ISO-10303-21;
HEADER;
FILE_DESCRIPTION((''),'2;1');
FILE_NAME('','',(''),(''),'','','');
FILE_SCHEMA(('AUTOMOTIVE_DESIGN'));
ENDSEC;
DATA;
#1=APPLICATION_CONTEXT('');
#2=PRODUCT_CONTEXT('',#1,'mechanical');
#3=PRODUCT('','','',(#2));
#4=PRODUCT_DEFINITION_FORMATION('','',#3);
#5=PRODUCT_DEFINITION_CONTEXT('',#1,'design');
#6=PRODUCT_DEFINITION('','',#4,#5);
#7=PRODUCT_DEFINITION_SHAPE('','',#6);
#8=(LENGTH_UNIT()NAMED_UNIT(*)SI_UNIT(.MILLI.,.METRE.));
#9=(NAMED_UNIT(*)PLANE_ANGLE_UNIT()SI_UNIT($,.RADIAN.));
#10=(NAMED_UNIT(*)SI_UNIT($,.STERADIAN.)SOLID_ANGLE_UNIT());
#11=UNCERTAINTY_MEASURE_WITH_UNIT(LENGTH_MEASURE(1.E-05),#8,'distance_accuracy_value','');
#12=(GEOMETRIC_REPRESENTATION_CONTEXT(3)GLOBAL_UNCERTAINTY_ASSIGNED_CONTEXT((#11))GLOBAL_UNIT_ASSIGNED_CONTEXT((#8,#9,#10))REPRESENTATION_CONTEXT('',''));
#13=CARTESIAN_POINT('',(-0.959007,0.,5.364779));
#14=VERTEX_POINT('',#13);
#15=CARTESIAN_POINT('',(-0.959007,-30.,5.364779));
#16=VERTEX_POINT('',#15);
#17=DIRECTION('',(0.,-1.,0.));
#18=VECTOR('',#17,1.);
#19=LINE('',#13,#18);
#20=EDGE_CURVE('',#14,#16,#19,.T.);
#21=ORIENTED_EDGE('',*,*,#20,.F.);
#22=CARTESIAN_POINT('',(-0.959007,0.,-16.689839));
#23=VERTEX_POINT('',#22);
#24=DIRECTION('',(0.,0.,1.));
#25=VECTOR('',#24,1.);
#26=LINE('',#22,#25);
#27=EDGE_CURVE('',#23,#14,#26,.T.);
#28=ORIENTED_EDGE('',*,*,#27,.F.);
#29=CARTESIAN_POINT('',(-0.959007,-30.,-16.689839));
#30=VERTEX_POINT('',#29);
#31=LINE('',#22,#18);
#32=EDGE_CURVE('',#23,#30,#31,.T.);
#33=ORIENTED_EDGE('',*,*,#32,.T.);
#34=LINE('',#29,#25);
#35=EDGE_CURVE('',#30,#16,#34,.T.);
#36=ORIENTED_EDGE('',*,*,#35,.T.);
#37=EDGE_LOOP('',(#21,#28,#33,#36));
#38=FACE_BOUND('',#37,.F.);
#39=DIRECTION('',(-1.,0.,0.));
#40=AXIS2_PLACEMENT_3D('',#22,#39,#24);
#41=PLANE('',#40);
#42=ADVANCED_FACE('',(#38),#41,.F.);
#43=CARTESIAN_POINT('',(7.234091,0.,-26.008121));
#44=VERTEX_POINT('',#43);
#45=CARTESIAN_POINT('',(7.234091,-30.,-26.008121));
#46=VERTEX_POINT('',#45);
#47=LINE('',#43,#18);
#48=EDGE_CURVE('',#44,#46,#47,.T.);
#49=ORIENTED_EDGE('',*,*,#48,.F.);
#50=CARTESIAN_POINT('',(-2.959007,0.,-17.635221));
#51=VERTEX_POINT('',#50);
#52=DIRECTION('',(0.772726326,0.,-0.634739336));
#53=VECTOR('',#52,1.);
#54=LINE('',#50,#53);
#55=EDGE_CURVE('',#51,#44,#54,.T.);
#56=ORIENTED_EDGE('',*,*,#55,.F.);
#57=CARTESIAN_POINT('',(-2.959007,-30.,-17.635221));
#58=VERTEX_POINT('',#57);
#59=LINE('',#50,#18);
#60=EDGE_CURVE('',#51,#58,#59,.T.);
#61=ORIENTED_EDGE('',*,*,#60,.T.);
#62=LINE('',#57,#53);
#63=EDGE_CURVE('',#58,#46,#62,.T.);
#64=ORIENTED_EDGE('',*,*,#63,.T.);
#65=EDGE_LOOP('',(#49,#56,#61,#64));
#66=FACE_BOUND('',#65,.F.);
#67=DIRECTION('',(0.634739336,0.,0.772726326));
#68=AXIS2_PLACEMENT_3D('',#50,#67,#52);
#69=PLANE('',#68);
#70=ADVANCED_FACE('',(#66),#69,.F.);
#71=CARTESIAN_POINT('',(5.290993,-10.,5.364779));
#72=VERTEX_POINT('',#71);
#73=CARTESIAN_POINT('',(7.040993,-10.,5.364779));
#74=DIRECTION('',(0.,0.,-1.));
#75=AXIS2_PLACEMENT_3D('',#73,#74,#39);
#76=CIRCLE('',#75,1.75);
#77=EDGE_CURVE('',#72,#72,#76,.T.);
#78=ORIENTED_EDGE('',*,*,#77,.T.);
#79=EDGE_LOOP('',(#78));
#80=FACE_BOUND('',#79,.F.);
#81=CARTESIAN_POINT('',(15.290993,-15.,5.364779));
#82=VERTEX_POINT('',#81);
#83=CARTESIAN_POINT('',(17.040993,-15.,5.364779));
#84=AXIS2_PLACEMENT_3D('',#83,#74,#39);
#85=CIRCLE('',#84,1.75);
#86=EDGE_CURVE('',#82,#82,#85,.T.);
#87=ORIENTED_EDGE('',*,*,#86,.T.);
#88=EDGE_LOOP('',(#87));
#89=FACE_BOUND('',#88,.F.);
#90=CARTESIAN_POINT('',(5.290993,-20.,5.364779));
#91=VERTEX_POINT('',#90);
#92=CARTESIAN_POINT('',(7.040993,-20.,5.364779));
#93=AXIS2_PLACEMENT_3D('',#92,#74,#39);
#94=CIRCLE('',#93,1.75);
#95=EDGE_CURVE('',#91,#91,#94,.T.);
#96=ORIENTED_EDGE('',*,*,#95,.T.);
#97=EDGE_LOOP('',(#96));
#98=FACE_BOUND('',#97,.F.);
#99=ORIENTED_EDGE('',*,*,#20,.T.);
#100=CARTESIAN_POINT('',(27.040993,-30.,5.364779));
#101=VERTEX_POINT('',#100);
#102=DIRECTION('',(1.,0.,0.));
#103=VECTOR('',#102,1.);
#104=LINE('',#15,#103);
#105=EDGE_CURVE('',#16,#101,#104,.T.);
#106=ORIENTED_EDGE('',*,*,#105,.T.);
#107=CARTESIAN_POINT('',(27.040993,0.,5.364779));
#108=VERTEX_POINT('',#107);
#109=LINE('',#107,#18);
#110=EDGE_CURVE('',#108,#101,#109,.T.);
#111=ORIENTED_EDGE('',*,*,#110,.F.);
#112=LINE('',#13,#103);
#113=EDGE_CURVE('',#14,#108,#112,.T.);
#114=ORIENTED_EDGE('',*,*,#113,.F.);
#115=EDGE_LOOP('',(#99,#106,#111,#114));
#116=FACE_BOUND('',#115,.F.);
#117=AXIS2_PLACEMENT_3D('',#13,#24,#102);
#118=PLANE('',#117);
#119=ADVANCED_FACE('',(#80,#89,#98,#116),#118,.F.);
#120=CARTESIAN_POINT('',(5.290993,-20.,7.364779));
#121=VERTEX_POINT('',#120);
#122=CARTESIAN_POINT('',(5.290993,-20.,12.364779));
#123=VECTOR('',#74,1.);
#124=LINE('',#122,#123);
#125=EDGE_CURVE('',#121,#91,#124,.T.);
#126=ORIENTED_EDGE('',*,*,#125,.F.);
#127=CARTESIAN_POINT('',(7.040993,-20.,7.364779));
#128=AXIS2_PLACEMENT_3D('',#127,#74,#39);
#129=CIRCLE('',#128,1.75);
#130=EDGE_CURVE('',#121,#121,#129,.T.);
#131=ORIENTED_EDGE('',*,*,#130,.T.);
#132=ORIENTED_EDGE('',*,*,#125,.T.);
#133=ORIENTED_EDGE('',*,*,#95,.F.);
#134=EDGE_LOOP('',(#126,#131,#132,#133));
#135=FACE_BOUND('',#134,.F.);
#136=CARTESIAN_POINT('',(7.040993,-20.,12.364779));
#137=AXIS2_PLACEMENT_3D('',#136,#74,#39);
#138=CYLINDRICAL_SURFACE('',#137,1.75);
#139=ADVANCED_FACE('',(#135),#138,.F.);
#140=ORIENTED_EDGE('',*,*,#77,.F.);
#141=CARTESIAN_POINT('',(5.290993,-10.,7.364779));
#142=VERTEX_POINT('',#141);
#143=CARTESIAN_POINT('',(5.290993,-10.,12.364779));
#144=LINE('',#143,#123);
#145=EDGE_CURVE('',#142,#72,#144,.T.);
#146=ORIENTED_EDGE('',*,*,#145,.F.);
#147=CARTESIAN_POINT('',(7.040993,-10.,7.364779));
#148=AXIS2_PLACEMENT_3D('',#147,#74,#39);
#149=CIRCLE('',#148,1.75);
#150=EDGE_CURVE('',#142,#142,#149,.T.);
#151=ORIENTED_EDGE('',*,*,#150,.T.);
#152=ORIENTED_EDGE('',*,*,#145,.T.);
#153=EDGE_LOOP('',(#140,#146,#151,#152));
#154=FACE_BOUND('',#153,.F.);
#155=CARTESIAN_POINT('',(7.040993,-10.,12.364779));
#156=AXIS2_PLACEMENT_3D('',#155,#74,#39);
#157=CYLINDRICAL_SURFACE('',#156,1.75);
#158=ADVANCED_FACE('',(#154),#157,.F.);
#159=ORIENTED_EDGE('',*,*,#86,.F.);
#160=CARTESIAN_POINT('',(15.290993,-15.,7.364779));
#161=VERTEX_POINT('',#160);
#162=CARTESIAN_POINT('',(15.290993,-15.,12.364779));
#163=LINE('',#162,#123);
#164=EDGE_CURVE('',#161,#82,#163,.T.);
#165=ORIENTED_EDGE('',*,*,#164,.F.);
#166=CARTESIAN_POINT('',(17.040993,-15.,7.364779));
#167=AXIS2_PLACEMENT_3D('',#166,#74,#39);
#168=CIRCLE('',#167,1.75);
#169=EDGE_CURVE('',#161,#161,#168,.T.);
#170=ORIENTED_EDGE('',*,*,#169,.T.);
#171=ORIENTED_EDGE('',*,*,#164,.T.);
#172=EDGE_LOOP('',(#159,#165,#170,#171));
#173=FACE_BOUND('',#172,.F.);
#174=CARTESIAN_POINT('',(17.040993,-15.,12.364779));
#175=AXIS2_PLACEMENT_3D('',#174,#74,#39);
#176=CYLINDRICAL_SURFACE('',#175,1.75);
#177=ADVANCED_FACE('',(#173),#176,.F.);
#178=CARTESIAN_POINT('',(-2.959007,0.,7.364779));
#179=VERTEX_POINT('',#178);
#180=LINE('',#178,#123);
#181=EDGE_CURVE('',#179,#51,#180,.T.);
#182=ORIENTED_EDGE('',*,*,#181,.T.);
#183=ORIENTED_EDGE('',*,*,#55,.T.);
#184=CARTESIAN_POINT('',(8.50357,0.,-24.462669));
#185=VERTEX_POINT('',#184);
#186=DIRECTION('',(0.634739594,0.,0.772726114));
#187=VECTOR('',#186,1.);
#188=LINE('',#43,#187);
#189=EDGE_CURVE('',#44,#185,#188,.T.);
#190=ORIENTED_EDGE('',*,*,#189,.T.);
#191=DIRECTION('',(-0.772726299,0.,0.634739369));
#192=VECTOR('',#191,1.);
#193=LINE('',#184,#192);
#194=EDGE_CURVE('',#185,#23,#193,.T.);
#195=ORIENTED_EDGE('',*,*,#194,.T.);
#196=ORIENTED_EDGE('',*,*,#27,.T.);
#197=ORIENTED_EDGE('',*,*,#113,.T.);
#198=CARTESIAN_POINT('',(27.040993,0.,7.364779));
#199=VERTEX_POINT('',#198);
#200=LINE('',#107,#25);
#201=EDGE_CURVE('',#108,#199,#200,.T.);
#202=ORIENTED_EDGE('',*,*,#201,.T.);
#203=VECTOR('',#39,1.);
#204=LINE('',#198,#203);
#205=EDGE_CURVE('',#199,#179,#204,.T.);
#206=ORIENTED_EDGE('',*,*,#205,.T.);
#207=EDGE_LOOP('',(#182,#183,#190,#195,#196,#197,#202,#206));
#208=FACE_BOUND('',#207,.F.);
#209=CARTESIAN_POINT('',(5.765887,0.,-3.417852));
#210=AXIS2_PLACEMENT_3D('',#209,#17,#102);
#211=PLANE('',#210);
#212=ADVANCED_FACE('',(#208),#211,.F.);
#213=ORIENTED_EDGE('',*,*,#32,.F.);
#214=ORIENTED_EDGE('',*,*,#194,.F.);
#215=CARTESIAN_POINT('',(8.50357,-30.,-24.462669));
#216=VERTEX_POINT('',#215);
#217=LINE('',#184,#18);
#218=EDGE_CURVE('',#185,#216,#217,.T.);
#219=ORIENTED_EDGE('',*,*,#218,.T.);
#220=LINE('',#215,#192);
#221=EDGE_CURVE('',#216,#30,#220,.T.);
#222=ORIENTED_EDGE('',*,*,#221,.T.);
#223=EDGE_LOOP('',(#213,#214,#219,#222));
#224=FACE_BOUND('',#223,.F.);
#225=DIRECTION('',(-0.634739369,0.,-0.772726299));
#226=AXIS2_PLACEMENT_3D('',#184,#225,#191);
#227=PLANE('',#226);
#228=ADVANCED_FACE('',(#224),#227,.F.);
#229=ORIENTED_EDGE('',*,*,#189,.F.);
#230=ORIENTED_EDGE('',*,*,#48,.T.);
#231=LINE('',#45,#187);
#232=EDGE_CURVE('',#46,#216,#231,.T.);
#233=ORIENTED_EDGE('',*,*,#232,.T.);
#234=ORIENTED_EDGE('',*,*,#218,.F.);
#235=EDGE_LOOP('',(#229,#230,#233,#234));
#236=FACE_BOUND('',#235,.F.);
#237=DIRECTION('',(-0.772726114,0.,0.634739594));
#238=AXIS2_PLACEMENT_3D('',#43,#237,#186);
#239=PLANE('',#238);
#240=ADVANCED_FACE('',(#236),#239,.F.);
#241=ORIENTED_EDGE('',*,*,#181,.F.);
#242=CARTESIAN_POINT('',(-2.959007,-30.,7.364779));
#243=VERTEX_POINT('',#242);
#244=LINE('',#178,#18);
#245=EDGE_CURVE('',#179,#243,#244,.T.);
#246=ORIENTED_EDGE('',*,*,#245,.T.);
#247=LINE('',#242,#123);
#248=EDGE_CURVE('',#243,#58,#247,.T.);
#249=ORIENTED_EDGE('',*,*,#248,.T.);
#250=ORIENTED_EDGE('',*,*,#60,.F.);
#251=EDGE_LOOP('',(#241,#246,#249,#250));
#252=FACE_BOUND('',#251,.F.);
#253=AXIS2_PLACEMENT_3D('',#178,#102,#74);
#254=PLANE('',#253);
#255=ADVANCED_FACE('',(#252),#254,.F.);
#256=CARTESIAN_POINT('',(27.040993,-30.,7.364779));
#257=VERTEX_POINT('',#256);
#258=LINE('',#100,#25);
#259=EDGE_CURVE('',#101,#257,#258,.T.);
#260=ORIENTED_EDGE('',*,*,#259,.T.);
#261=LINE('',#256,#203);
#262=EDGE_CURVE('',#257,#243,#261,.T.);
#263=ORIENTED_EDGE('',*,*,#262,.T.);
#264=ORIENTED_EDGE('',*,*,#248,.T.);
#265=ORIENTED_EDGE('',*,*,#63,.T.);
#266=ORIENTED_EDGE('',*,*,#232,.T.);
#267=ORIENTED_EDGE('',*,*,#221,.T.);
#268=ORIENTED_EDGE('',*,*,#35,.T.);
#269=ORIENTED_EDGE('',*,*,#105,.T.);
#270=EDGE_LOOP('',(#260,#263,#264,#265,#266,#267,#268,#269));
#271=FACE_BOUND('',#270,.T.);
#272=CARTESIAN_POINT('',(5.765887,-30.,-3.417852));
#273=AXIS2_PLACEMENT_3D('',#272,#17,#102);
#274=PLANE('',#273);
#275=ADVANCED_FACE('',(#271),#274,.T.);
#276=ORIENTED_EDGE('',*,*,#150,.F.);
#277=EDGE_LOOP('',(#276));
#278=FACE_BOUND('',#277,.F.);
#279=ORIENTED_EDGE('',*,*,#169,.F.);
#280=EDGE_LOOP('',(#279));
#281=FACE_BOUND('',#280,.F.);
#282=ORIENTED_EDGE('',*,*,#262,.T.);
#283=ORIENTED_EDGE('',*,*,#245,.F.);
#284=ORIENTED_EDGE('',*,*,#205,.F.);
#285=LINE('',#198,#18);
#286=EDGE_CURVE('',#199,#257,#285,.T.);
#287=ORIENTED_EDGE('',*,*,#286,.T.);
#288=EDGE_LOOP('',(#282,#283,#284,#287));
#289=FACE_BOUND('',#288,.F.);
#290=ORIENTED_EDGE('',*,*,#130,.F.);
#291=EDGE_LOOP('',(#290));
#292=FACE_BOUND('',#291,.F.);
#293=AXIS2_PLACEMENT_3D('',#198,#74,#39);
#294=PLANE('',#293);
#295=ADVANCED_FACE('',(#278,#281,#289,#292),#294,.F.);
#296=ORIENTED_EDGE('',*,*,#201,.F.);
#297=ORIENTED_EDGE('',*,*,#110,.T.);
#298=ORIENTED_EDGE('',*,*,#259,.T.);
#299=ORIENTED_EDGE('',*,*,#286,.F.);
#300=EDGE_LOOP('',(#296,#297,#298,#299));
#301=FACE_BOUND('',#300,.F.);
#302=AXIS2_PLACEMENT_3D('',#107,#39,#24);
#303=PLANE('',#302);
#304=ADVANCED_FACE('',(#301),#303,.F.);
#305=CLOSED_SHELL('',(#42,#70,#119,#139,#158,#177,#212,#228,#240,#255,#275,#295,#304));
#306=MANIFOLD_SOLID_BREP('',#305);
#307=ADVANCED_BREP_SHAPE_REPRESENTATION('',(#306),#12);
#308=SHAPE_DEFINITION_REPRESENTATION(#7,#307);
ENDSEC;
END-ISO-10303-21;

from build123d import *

# Parameters (mm, degrees)
F1_DEPTH = 30
F3_D     = 3.5
F3_DEPTH = 5


with BuildPart() as f1:
    # F0 (on Front) → F1 (new body)
    with BuildSketch(Plane.XZ):
        Polygon((27.040993, 7.364779), (-2.959007, 7.364779), (-2.959007, -17.635221), (7.234091, -26.008121), (8.50357, -24.462669), (-0.959007, -16.689839), (-0.959007, 5.364779), (27.040993, 5.364779), align=None)
    extrude(amount=F1_DEPTH)

    # F3
    with Locations(Plane.XY.offset(7.364779)):
        with Locations((7.040993, -10), (17.040993, -15), (7.040993, -20)):
            Hole(F3_D / 2, depth=F3_DEPTH)


solid = f1.part
